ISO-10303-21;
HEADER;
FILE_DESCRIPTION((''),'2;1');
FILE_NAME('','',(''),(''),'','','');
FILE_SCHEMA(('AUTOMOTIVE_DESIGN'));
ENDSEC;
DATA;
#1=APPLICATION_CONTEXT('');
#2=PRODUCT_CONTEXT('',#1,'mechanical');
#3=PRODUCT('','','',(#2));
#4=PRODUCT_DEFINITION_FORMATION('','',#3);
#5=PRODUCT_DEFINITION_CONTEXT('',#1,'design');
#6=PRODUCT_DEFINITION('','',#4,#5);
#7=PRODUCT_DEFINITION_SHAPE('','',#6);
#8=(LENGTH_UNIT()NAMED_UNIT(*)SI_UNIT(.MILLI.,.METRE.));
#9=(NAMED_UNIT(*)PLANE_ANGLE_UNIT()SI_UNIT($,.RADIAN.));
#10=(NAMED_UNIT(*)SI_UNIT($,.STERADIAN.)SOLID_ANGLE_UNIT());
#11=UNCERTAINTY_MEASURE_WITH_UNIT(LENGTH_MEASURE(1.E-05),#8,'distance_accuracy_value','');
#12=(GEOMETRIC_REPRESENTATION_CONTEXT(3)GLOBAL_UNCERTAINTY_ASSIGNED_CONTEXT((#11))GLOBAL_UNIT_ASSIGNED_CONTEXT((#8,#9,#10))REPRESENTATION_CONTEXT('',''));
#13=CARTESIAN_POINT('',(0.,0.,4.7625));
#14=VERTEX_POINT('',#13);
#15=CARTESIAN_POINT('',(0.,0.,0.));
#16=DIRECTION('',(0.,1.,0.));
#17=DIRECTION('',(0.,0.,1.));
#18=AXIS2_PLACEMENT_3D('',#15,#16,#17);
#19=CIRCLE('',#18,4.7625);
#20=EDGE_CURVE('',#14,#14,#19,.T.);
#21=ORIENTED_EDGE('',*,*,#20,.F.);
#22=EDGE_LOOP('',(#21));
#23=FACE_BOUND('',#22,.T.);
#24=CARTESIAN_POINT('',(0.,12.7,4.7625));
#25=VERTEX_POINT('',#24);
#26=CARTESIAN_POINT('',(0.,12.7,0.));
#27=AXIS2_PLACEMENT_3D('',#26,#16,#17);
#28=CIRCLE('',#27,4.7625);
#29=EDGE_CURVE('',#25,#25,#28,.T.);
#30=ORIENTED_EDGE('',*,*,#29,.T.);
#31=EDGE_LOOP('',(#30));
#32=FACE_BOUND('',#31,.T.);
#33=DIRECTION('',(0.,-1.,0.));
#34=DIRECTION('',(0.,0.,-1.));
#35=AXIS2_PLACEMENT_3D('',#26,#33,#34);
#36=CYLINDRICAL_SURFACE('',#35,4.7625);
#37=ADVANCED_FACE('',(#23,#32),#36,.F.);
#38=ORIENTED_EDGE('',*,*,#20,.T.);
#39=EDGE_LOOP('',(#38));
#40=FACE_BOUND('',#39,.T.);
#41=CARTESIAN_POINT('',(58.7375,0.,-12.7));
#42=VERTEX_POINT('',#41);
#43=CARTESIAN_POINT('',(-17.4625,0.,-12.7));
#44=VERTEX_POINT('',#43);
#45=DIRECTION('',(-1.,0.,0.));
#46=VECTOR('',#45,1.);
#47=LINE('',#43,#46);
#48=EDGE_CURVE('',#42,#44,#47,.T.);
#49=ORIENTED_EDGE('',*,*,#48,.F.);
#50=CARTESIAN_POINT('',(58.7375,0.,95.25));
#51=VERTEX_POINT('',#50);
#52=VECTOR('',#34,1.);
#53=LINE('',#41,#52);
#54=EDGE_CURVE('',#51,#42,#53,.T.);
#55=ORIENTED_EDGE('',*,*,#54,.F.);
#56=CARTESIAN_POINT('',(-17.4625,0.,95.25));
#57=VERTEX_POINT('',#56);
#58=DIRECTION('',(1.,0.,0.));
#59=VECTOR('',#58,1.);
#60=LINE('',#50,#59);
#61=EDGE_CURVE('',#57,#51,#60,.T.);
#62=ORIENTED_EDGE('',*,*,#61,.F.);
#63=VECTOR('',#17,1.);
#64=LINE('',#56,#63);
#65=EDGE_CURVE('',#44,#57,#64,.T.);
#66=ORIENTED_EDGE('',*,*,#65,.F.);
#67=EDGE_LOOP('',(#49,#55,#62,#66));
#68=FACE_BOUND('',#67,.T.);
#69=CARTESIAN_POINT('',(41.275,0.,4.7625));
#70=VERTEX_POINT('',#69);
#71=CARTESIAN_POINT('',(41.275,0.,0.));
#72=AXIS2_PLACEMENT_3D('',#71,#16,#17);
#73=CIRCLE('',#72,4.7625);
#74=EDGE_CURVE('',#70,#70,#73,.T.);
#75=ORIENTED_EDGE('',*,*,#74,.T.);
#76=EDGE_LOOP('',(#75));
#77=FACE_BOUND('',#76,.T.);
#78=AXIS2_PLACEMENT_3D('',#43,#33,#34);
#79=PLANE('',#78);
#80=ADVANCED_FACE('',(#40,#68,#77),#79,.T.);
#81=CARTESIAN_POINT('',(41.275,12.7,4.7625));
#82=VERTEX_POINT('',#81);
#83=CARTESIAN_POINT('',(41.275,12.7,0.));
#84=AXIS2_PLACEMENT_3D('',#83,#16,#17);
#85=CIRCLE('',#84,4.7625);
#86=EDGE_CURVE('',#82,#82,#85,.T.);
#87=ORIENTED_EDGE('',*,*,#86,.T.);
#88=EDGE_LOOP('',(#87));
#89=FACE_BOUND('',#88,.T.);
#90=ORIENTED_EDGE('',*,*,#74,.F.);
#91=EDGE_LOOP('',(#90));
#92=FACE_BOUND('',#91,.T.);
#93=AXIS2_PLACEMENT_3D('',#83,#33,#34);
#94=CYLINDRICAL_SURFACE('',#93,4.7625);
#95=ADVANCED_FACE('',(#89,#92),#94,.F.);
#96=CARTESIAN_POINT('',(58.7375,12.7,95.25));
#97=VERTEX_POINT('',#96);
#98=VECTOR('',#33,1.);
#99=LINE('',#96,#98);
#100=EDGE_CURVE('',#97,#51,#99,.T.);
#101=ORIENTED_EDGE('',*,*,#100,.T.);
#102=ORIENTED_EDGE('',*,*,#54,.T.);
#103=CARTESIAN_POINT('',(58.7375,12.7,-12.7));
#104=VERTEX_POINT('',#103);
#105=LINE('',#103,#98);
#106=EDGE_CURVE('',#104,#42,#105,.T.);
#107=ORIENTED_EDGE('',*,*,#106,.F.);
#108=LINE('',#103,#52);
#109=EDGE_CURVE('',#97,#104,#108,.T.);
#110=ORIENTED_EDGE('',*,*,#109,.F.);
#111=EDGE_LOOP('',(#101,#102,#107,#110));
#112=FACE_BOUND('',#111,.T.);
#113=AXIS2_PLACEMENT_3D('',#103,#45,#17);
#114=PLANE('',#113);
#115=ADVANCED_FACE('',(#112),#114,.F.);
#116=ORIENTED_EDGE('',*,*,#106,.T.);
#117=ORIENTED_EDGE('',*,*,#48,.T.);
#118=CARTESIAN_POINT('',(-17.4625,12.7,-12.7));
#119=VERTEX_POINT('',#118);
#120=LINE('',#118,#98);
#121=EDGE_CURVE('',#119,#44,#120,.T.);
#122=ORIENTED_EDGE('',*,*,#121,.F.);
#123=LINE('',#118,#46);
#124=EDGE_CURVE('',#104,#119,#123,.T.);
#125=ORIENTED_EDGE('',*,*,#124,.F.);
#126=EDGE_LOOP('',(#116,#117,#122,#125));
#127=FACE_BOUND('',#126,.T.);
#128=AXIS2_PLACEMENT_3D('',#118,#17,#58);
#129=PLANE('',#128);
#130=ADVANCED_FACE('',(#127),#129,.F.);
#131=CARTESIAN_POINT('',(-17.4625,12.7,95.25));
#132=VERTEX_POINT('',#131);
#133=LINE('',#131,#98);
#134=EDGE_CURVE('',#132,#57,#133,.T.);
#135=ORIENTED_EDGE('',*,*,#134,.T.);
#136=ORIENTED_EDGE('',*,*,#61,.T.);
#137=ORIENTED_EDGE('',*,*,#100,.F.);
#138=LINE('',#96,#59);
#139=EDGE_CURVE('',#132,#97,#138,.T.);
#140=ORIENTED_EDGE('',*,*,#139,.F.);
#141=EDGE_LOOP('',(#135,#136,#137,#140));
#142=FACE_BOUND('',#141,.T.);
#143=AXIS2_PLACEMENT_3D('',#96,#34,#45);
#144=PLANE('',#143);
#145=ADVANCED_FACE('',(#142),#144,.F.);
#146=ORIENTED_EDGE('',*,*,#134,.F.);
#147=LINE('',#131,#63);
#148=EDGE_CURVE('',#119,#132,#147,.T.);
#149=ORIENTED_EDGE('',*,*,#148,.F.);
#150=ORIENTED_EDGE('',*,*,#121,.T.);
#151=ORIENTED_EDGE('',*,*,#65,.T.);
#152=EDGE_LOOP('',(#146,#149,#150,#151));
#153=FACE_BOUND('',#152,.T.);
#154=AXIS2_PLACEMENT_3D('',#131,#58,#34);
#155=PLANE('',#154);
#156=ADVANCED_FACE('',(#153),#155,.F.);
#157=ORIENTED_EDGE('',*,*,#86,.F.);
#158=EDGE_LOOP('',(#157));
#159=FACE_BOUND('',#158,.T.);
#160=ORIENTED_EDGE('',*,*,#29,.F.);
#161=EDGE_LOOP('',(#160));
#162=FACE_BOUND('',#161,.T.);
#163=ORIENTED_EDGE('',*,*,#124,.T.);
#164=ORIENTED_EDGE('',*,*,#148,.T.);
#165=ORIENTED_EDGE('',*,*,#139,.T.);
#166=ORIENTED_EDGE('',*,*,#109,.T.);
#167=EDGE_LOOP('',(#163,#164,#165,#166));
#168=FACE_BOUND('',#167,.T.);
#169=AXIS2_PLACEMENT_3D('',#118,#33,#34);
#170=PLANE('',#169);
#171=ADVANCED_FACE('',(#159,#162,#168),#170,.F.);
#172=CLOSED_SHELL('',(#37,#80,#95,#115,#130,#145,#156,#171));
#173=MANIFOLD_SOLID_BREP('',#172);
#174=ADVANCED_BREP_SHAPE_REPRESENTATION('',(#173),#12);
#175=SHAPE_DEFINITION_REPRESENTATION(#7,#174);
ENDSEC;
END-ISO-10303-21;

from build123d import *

# Parameters (mm, degrees)
SKETCH1_W           = 76.2
SKETCH1_H           = 107.95
SKETCH1_R           = 4.7625
BOSS_EXTRUDE1_DEPTH = 12.7


with BuildPart() as part:
    # Sketch1 → Boss-Extrude1 (new body)
    with BuildSketch(Plane(origin=(0, 0, 0), x_dir=(1, 0, 0), z_dir=(0, 1, 0))):
        with Locations((20.6375, -41.275)):
            Rectangle(SKETCH1_W, SKETCH1_H)
        Circle(SKETCH1_R, mode=Mode.SUBTRACT)
        with Locations((41.275, 0)):
            Circle(SKETCH1_R, mode=Mode.SUBTRACT)
    extrude(amount=BOSS_EXTRUDE1_DEPTH)


solid = part.part
